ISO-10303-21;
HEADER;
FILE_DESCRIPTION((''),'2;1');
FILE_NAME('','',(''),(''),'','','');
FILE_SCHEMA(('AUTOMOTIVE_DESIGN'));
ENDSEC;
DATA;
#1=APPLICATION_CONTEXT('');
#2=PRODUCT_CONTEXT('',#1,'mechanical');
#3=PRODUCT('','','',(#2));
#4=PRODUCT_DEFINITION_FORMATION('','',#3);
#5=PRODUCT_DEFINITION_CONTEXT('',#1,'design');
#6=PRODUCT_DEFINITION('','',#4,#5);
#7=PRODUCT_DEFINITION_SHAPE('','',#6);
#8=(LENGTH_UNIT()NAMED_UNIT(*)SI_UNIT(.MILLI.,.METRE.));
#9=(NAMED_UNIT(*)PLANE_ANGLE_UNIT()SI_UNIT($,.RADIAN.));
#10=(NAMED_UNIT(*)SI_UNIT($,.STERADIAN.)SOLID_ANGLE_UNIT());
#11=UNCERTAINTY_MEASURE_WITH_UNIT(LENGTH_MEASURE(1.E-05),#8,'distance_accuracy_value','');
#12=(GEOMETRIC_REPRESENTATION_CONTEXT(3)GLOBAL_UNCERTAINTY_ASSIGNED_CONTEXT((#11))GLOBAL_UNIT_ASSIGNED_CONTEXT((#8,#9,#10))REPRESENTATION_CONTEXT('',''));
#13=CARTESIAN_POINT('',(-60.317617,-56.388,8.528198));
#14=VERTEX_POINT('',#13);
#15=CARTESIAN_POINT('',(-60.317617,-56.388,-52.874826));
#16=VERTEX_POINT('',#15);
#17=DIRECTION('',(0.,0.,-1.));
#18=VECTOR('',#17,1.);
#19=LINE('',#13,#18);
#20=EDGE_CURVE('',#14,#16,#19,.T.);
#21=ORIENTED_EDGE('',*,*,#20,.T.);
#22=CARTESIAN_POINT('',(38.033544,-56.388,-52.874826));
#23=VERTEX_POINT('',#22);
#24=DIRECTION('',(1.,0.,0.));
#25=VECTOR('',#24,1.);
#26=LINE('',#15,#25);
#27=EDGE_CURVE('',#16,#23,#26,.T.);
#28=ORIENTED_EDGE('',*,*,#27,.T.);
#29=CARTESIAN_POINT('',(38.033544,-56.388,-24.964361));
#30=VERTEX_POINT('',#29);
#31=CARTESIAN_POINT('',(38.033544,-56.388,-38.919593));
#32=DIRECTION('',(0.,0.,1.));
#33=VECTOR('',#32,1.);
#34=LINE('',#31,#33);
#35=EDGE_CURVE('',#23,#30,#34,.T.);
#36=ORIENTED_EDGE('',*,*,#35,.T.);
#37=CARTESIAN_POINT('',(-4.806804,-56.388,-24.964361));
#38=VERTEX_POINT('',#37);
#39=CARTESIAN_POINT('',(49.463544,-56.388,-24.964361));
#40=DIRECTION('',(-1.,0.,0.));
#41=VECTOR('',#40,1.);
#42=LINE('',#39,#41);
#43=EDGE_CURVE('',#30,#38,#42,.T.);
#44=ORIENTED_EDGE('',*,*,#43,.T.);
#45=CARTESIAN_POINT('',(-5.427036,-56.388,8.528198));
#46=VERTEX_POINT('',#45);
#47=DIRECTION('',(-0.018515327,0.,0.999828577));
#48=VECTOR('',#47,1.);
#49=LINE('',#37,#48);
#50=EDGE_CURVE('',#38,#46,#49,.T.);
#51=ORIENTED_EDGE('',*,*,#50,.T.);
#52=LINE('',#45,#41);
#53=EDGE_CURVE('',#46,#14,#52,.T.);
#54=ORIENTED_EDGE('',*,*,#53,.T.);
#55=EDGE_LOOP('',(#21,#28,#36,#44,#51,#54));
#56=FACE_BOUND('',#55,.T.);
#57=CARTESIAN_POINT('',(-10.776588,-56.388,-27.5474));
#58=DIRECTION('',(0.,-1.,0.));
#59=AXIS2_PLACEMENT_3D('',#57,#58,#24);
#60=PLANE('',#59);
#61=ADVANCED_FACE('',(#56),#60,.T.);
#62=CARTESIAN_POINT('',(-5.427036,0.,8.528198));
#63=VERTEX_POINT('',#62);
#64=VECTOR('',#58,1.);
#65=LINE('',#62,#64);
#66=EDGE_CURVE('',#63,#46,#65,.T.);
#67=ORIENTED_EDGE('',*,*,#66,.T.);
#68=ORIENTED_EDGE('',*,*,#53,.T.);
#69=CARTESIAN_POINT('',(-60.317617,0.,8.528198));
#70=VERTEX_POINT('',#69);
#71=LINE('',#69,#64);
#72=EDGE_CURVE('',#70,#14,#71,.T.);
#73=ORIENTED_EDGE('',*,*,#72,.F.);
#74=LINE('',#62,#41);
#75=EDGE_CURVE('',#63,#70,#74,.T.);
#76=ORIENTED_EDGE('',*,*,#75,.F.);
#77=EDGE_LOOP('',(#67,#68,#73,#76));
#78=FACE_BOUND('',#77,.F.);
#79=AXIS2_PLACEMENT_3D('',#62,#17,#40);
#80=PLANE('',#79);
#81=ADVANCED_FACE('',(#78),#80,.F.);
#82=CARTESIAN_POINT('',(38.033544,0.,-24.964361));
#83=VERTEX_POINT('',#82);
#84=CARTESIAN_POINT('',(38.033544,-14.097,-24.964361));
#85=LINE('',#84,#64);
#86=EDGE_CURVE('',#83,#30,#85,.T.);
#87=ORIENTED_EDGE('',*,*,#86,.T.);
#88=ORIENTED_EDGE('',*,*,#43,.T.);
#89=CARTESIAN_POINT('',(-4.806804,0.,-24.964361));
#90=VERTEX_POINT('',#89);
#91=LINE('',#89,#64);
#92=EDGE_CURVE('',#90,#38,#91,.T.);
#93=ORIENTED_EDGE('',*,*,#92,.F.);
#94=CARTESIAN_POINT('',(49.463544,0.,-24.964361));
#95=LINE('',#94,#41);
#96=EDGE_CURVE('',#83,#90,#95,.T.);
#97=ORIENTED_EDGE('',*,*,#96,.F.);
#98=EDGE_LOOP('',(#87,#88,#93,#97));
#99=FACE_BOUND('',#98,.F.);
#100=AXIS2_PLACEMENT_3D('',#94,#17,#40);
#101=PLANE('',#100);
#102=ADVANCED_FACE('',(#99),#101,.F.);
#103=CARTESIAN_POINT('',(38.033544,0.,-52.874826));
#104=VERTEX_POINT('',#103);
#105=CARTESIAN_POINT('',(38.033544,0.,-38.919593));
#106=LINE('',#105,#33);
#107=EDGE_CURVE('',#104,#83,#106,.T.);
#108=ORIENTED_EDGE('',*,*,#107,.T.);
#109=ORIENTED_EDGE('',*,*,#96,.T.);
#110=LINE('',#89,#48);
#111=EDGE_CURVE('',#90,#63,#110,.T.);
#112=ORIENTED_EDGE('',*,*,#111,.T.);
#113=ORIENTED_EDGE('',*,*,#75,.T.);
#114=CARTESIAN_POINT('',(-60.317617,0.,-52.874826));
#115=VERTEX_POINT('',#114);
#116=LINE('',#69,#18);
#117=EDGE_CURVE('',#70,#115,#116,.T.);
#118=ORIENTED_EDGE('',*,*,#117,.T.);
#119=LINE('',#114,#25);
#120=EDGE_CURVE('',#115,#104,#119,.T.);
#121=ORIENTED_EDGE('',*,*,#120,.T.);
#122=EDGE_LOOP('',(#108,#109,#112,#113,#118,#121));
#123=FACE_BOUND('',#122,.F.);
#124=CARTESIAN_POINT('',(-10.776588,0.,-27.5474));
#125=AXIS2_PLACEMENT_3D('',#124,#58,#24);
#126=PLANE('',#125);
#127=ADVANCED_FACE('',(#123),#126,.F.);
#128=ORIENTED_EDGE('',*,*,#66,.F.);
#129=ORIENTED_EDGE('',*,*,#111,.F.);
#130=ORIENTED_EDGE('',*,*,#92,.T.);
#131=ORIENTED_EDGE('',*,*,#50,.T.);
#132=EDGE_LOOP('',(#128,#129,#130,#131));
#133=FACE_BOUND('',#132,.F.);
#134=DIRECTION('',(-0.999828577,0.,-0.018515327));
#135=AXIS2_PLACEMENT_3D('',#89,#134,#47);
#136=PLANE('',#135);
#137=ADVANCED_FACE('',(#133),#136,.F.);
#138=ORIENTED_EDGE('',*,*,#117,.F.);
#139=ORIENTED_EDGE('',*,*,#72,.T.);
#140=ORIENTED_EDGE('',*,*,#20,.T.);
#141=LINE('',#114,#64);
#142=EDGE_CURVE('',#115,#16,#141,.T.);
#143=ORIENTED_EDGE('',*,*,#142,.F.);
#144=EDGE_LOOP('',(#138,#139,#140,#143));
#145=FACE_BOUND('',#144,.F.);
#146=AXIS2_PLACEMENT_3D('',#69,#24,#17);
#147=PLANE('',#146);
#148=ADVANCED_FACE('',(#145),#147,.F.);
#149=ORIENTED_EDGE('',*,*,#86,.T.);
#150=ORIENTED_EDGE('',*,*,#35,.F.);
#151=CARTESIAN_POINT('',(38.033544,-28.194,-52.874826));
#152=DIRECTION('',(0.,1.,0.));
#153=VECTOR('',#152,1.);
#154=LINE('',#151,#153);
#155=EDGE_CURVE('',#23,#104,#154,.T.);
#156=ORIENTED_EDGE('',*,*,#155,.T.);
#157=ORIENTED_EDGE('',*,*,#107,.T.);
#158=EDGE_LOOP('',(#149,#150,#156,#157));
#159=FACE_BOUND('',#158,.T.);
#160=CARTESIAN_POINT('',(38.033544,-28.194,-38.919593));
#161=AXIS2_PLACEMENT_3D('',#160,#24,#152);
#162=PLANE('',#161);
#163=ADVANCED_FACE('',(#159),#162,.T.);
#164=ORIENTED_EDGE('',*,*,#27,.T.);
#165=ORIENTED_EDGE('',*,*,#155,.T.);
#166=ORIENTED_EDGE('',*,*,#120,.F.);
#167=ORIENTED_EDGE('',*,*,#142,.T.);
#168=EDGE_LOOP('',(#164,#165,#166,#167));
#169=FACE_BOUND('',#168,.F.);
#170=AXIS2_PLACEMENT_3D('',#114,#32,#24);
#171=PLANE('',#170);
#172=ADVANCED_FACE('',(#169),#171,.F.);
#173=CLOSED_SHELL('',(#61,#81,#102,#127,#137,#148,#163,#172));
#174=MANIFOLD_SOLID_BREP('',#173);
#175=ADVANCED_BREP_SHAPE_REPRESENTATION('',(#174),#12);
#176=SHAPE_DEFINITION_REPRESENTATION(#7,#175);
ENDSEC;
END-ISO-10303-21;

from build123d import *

# Parameters (mm, degrees)
F1_DEPTH  = 56.388
F1_FACE_W = 56.388
F1_FACE_H = 27.910466
F2_DEPTH  = 11.43


with BuildPart() as f1:
    # F0 (on Front) → F1 (new body)
    with BuildSketch(Plane.XZ):
        Polygon((49.463544, -24.964361), (-4.806804, -24.964361), (-5.427036, 8.528198), (-60.317617, 8.528198), (-60.317617, -52.874826), (49.463544, -52.874826), align=None)
    extrude(amount=F1_DEPTH)

    # F1_face (on face) → F2 (cut)
    with BuildSketch(Plane(origin=(49.463544, -28.194, -38.919593), x_dir=(0, 1, 0), z_dir=(1, 0, 0))):
        Rectangle(F1_FACE_W, F1_FACE_H)
    extrude(amount=-F2_DEPTH, mode=Mode.SUBTRACT)


solid = f1.part
